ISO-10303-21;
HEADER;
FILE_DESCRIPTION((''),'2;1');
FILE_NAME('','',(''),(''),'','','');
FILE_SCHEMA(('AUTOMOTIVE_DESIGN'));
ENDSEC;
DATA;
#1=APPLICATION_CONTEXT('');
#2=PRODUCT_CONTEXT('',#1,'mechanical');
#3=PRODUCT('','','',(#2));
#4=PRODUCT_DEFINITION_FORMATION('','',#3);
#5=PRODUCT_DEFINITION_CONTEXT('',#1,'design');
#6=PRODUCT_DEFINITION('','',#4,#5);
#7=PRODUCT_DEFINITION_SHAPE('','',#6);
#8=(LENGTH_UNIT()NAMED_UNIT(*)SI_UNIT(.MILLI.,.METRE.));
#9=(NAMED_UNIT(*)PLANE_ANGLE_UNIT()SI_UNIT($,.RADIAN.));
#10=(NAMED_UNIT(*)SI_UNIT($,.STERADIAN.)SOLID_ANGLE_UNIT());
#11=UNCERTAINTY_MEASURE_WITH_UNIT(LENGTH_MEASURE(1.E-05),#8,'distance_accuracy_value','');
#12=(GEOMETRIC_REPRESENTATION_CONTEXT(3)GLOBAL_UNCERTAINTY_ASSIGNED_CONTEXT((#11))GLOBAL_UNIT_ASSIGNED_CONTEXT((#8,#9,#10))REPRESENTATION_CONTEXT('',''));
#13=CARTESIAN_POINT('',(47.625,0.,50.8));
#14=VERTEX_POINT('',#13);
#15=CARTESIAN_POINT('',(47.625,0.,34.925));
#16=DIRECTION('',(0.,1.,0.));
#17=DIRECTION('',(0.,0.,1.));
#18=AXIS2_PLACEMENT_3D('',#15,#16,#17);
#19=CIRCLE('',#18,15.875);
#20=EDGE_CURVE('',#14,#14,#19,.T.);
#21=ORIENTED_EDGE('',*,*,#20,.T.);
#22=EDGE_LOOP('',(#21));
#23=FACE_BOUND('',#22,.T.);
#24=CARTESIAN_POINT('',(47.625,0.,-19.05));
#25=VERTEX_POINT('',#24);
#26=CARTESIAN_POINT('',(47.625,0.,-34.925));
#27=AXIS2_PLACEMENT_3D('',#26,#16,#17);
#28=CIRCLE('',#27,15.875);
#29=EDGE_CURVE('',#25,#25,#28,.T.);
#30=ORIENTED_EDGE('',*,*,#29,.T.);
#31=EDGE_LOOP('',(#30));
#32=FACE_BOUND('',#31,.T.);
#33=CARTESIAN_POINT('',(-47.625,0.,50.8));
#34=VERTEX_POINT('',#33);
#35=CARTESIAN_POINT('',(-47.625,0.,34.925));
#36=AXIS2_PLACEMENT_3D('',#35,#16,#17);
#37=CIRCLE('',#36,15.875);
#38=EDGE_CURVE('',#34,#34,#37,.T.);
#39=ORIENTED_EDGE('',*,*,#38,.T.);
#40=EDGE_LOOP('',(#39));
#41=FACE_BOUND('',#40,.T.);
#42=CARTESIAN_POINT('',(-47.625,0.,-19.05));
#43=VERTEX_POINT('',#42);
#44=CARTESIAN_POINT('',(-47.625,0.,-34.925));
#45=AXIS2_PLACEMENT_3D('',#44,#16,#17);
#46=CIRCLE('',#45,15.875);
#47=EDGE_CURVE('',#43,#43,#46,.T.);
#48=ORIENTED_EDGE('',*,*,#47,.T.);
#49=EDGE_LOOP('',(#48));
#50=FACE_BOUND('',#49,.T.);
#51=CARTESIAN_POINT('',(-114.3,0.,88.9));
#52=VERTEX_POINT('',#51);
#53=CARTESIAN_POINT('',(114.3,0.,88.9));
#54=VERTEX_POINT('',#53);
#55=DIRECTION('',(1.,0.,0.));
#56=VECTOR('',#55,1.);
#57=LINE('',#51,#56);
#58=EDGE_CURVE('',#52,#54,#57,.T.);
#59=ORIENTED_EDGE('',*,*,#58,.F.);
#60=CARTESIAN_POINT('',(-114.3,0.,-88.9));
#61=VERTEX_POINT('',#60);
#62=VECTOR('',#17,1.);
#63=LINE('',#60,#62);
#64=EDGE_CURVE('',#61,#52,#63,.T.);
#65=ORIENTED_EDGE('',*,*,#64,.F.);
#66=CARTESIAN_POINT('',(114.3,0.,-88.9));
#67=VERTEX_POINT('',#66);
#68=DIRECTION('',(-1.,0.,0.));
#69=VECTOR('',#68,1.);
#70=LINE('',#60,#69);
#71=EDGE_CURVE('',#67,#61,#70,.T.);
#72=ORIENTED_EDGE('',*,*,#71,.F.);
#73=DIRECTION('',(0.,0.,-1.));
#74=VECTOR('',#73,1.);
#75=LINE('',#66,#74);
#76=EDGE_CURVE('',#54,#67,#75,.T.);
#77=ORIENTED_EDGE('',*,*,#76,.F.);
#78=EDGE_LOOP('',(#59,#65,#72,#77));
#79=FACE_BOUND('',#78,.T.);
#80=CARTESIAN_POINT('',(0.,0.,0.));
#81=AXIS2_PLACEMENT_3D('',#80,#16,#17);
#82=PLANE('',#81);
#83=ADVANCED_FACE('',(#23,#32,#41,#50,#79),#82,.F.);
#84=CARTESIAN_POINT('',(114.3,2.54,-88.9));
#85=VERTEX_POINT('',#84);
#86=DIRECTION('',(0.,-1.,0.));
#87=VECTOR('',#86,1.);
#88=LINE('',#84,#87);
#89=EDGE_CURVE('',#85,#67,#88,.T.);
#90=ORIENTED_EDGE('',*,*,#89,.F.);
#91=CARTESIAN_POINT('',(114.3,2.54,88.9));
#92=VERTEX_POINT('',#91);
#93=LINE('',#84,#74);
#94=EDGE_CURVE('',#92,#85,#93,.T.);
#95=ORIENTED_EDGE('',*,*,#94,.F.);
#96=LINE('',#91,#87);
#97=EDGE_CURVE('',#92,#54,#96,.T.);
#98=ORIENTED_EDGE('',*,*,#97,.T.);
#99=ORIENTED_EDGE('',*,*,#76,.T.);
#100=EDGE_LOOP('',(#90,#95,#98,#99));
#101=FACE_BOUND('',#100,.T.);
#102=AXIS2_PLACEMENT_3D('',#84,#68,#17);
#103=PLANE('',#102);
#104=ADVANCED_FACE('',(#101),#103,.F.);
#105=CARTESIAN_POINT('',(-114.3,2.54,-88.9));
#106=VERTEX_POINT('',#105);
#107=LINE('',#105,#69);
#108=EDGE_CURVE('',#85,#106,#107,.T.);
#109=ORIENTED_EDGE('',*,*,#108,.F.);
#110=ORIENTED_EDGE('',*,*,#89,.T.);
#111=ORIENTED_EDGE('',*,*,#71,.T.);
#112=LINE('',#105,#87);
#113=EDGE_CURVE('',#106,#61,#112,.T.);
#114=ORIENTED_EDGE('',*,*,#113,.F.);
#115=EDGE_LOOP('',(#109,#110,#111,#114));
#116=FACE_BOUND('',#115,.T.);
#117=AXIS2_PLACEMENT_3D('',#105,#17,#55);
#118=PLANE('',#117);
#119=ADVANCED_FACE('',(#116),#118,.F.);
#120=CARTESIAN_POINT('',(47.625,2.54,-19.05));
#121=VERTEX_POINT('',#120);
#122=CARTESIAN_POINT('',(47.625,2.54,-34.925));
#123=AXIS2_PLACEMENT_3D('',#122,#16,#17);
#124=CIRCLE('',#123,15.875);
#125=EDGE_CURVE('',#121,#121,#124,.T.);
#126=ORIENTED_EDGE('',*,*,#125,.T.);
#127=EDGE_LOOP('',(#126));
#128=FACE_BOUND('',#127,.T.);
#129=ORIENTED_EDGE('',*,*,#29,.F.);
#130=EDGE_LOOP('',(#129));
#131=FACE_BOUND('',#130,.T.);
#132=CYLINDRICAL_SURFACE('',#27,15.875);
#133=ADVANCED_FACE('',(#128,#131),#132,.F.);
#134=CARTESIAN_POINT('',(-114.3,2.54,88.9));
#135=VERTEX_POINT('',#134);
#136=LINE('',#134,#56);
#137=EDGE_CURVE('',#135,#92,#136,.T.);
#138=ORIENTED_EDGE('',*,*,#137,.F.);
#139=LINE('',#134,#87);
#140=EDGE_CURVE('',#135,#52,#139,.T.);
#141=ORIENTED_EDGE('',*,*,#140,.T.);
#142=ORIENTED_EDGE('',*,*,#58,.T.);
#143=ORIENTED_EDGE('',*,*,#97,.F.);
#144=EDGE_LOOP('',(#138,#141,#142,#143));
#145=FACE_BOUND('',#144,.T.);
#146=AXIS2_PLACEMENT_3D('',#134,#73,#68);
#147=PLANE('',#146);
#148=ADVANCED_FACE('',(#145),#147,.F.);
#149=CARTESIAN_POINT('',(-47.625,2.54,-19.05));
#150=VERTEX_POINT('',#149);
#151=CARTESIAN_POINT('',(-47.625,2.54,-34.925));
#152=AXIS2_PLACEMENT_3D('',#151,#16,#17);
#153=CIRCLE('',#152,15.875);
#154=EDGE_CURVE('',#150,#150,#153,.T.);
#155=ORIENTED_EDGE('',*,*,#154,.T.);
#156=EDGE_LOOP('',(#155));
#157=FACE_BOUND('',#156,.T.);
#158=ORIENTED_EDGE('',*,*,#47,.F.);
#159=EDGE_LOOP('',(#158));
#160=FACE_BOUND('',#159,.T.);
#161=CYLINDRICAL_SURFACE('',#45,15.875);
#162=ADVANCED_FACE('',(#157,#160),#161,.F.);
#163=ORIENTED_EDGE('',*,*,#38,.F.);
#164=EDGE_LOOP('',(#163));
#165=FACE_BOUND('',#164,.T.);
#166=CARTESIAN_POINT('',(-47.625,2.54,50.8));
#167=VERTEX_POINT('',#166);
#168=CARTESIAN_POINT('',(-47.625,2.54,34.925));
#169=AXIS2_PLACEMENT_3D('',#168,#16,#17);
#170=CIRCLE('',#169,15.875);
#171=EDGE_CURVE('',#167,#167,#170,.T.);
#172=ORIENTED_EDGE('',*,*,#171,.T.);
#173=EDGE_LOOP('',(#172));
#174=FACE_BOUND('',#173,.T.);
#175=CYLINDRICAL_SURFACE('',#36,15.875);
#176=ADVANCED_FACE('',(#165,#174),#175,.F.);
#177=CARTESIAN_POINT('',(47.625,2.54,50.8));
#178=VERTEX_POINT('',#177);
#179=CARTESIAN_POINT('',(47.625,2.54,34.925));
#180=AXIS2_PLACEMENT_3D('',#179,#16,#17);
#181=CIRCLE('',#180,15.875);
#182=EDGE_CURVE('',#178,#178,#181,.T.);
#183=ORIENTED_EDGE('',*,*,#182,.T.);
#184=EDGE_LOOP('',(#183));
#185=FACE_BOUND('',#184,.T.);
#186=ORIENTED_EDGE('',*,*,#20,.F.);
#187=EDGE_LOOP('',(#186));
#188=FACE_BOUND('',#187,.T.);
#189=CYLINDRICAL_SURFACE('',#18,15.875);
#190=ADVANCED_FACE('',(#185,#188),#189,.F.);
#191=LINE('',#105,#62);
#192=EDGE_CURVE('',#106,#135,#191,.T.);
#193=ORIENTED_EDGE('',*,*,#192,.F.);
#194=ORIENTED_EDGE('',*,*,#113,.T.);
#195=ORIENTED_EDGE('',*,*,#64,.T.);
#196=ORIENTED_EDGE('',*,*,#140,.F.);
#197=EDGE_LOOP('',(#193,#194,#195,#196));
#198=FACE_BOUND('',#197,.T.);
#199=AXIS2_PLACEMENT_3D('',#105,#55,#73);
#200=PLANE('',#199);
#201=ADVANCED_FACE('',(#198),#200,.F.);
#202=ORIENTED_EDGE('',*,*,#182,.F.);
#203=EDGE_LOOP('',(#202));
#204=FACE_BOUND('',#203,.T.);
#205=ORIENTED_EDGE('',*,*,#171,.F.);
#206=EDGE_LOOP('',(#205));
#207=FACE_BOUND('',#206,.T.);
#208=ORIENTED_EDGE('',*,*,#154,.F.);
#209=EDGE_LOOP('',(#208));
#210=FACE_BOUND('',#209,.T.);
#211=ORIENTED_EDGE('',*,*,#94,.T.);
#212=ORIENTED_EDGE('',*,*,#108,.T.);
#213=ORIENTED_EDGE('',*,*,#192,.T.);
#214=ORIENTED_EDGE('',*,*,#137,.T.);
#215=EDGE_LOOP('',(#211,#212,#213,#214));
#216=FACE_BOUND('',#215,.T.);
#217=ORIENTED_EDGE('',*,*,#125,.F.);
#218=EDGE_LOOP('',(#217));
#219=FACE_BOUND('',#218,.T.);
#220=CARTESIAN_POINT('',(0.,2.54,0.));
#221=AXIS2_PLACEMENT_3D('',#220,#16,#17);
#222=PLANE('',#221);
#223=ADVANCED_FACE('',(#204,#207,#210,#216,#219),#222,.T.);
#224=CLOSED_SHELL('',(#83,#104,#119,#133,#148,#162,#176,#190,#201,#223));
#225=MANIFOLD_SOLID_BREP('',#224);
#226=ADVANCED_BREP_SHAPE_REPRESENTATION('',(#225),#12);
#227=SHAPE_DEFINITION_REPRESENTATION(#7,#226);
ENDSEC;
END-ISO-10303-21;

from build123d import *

# Parameters (mm, degrees)
SKETCH1_W           = 228.6
SKETCH1_H           = 177.8
BOSS_EXTRUDE1_DEPTH = 2.54
SKETCH2_R           = 15.875
CUT_EXTRUDE1_DEPTH  = 145.824554548


with BuildPart() as part:
    # Sketch1 → Boss-Extrude1 (new body)
    with BuildSketch(Plane(origin=(0, 0, 0), x_dir=(1, 0, 0), z_dir=(0, 1, 0))):
        Rectangle(SKETCH1_W, SKETCH1_H)
    extrude(amount=BOSS_EXTRUDE1_DEPTH)

    # Sketch2 → Cut-Extrude1 (cut, through all)
    with BuildSketch(Plane(origin=(0, 2.54, 0), x_dir=(1, 0, 0), z_dir=(0, 1, 0))):
        with Locations(Location((-47.625, 34.925, 0), (0, 0, 270))):
            Circle(SKETCH2_R)
        with Locations(Location((47.625, 34.925, 0), (0, 0, 270))):
            Circle(SKETCH2_R)
        with Locations(Location((47.625, -34.925, 0), (0, 0, 270))):
            Circle(SKETCH2_R)
        with Locations(Location((-47.625, -34.925, 0), (0, 0, 270))):
            Circle(SKETCH2_R)
    extrude(amount=-CUT_EXTRUDE1_DEPTH, mode=Mode.SUBTRACT)


solid = part.part
